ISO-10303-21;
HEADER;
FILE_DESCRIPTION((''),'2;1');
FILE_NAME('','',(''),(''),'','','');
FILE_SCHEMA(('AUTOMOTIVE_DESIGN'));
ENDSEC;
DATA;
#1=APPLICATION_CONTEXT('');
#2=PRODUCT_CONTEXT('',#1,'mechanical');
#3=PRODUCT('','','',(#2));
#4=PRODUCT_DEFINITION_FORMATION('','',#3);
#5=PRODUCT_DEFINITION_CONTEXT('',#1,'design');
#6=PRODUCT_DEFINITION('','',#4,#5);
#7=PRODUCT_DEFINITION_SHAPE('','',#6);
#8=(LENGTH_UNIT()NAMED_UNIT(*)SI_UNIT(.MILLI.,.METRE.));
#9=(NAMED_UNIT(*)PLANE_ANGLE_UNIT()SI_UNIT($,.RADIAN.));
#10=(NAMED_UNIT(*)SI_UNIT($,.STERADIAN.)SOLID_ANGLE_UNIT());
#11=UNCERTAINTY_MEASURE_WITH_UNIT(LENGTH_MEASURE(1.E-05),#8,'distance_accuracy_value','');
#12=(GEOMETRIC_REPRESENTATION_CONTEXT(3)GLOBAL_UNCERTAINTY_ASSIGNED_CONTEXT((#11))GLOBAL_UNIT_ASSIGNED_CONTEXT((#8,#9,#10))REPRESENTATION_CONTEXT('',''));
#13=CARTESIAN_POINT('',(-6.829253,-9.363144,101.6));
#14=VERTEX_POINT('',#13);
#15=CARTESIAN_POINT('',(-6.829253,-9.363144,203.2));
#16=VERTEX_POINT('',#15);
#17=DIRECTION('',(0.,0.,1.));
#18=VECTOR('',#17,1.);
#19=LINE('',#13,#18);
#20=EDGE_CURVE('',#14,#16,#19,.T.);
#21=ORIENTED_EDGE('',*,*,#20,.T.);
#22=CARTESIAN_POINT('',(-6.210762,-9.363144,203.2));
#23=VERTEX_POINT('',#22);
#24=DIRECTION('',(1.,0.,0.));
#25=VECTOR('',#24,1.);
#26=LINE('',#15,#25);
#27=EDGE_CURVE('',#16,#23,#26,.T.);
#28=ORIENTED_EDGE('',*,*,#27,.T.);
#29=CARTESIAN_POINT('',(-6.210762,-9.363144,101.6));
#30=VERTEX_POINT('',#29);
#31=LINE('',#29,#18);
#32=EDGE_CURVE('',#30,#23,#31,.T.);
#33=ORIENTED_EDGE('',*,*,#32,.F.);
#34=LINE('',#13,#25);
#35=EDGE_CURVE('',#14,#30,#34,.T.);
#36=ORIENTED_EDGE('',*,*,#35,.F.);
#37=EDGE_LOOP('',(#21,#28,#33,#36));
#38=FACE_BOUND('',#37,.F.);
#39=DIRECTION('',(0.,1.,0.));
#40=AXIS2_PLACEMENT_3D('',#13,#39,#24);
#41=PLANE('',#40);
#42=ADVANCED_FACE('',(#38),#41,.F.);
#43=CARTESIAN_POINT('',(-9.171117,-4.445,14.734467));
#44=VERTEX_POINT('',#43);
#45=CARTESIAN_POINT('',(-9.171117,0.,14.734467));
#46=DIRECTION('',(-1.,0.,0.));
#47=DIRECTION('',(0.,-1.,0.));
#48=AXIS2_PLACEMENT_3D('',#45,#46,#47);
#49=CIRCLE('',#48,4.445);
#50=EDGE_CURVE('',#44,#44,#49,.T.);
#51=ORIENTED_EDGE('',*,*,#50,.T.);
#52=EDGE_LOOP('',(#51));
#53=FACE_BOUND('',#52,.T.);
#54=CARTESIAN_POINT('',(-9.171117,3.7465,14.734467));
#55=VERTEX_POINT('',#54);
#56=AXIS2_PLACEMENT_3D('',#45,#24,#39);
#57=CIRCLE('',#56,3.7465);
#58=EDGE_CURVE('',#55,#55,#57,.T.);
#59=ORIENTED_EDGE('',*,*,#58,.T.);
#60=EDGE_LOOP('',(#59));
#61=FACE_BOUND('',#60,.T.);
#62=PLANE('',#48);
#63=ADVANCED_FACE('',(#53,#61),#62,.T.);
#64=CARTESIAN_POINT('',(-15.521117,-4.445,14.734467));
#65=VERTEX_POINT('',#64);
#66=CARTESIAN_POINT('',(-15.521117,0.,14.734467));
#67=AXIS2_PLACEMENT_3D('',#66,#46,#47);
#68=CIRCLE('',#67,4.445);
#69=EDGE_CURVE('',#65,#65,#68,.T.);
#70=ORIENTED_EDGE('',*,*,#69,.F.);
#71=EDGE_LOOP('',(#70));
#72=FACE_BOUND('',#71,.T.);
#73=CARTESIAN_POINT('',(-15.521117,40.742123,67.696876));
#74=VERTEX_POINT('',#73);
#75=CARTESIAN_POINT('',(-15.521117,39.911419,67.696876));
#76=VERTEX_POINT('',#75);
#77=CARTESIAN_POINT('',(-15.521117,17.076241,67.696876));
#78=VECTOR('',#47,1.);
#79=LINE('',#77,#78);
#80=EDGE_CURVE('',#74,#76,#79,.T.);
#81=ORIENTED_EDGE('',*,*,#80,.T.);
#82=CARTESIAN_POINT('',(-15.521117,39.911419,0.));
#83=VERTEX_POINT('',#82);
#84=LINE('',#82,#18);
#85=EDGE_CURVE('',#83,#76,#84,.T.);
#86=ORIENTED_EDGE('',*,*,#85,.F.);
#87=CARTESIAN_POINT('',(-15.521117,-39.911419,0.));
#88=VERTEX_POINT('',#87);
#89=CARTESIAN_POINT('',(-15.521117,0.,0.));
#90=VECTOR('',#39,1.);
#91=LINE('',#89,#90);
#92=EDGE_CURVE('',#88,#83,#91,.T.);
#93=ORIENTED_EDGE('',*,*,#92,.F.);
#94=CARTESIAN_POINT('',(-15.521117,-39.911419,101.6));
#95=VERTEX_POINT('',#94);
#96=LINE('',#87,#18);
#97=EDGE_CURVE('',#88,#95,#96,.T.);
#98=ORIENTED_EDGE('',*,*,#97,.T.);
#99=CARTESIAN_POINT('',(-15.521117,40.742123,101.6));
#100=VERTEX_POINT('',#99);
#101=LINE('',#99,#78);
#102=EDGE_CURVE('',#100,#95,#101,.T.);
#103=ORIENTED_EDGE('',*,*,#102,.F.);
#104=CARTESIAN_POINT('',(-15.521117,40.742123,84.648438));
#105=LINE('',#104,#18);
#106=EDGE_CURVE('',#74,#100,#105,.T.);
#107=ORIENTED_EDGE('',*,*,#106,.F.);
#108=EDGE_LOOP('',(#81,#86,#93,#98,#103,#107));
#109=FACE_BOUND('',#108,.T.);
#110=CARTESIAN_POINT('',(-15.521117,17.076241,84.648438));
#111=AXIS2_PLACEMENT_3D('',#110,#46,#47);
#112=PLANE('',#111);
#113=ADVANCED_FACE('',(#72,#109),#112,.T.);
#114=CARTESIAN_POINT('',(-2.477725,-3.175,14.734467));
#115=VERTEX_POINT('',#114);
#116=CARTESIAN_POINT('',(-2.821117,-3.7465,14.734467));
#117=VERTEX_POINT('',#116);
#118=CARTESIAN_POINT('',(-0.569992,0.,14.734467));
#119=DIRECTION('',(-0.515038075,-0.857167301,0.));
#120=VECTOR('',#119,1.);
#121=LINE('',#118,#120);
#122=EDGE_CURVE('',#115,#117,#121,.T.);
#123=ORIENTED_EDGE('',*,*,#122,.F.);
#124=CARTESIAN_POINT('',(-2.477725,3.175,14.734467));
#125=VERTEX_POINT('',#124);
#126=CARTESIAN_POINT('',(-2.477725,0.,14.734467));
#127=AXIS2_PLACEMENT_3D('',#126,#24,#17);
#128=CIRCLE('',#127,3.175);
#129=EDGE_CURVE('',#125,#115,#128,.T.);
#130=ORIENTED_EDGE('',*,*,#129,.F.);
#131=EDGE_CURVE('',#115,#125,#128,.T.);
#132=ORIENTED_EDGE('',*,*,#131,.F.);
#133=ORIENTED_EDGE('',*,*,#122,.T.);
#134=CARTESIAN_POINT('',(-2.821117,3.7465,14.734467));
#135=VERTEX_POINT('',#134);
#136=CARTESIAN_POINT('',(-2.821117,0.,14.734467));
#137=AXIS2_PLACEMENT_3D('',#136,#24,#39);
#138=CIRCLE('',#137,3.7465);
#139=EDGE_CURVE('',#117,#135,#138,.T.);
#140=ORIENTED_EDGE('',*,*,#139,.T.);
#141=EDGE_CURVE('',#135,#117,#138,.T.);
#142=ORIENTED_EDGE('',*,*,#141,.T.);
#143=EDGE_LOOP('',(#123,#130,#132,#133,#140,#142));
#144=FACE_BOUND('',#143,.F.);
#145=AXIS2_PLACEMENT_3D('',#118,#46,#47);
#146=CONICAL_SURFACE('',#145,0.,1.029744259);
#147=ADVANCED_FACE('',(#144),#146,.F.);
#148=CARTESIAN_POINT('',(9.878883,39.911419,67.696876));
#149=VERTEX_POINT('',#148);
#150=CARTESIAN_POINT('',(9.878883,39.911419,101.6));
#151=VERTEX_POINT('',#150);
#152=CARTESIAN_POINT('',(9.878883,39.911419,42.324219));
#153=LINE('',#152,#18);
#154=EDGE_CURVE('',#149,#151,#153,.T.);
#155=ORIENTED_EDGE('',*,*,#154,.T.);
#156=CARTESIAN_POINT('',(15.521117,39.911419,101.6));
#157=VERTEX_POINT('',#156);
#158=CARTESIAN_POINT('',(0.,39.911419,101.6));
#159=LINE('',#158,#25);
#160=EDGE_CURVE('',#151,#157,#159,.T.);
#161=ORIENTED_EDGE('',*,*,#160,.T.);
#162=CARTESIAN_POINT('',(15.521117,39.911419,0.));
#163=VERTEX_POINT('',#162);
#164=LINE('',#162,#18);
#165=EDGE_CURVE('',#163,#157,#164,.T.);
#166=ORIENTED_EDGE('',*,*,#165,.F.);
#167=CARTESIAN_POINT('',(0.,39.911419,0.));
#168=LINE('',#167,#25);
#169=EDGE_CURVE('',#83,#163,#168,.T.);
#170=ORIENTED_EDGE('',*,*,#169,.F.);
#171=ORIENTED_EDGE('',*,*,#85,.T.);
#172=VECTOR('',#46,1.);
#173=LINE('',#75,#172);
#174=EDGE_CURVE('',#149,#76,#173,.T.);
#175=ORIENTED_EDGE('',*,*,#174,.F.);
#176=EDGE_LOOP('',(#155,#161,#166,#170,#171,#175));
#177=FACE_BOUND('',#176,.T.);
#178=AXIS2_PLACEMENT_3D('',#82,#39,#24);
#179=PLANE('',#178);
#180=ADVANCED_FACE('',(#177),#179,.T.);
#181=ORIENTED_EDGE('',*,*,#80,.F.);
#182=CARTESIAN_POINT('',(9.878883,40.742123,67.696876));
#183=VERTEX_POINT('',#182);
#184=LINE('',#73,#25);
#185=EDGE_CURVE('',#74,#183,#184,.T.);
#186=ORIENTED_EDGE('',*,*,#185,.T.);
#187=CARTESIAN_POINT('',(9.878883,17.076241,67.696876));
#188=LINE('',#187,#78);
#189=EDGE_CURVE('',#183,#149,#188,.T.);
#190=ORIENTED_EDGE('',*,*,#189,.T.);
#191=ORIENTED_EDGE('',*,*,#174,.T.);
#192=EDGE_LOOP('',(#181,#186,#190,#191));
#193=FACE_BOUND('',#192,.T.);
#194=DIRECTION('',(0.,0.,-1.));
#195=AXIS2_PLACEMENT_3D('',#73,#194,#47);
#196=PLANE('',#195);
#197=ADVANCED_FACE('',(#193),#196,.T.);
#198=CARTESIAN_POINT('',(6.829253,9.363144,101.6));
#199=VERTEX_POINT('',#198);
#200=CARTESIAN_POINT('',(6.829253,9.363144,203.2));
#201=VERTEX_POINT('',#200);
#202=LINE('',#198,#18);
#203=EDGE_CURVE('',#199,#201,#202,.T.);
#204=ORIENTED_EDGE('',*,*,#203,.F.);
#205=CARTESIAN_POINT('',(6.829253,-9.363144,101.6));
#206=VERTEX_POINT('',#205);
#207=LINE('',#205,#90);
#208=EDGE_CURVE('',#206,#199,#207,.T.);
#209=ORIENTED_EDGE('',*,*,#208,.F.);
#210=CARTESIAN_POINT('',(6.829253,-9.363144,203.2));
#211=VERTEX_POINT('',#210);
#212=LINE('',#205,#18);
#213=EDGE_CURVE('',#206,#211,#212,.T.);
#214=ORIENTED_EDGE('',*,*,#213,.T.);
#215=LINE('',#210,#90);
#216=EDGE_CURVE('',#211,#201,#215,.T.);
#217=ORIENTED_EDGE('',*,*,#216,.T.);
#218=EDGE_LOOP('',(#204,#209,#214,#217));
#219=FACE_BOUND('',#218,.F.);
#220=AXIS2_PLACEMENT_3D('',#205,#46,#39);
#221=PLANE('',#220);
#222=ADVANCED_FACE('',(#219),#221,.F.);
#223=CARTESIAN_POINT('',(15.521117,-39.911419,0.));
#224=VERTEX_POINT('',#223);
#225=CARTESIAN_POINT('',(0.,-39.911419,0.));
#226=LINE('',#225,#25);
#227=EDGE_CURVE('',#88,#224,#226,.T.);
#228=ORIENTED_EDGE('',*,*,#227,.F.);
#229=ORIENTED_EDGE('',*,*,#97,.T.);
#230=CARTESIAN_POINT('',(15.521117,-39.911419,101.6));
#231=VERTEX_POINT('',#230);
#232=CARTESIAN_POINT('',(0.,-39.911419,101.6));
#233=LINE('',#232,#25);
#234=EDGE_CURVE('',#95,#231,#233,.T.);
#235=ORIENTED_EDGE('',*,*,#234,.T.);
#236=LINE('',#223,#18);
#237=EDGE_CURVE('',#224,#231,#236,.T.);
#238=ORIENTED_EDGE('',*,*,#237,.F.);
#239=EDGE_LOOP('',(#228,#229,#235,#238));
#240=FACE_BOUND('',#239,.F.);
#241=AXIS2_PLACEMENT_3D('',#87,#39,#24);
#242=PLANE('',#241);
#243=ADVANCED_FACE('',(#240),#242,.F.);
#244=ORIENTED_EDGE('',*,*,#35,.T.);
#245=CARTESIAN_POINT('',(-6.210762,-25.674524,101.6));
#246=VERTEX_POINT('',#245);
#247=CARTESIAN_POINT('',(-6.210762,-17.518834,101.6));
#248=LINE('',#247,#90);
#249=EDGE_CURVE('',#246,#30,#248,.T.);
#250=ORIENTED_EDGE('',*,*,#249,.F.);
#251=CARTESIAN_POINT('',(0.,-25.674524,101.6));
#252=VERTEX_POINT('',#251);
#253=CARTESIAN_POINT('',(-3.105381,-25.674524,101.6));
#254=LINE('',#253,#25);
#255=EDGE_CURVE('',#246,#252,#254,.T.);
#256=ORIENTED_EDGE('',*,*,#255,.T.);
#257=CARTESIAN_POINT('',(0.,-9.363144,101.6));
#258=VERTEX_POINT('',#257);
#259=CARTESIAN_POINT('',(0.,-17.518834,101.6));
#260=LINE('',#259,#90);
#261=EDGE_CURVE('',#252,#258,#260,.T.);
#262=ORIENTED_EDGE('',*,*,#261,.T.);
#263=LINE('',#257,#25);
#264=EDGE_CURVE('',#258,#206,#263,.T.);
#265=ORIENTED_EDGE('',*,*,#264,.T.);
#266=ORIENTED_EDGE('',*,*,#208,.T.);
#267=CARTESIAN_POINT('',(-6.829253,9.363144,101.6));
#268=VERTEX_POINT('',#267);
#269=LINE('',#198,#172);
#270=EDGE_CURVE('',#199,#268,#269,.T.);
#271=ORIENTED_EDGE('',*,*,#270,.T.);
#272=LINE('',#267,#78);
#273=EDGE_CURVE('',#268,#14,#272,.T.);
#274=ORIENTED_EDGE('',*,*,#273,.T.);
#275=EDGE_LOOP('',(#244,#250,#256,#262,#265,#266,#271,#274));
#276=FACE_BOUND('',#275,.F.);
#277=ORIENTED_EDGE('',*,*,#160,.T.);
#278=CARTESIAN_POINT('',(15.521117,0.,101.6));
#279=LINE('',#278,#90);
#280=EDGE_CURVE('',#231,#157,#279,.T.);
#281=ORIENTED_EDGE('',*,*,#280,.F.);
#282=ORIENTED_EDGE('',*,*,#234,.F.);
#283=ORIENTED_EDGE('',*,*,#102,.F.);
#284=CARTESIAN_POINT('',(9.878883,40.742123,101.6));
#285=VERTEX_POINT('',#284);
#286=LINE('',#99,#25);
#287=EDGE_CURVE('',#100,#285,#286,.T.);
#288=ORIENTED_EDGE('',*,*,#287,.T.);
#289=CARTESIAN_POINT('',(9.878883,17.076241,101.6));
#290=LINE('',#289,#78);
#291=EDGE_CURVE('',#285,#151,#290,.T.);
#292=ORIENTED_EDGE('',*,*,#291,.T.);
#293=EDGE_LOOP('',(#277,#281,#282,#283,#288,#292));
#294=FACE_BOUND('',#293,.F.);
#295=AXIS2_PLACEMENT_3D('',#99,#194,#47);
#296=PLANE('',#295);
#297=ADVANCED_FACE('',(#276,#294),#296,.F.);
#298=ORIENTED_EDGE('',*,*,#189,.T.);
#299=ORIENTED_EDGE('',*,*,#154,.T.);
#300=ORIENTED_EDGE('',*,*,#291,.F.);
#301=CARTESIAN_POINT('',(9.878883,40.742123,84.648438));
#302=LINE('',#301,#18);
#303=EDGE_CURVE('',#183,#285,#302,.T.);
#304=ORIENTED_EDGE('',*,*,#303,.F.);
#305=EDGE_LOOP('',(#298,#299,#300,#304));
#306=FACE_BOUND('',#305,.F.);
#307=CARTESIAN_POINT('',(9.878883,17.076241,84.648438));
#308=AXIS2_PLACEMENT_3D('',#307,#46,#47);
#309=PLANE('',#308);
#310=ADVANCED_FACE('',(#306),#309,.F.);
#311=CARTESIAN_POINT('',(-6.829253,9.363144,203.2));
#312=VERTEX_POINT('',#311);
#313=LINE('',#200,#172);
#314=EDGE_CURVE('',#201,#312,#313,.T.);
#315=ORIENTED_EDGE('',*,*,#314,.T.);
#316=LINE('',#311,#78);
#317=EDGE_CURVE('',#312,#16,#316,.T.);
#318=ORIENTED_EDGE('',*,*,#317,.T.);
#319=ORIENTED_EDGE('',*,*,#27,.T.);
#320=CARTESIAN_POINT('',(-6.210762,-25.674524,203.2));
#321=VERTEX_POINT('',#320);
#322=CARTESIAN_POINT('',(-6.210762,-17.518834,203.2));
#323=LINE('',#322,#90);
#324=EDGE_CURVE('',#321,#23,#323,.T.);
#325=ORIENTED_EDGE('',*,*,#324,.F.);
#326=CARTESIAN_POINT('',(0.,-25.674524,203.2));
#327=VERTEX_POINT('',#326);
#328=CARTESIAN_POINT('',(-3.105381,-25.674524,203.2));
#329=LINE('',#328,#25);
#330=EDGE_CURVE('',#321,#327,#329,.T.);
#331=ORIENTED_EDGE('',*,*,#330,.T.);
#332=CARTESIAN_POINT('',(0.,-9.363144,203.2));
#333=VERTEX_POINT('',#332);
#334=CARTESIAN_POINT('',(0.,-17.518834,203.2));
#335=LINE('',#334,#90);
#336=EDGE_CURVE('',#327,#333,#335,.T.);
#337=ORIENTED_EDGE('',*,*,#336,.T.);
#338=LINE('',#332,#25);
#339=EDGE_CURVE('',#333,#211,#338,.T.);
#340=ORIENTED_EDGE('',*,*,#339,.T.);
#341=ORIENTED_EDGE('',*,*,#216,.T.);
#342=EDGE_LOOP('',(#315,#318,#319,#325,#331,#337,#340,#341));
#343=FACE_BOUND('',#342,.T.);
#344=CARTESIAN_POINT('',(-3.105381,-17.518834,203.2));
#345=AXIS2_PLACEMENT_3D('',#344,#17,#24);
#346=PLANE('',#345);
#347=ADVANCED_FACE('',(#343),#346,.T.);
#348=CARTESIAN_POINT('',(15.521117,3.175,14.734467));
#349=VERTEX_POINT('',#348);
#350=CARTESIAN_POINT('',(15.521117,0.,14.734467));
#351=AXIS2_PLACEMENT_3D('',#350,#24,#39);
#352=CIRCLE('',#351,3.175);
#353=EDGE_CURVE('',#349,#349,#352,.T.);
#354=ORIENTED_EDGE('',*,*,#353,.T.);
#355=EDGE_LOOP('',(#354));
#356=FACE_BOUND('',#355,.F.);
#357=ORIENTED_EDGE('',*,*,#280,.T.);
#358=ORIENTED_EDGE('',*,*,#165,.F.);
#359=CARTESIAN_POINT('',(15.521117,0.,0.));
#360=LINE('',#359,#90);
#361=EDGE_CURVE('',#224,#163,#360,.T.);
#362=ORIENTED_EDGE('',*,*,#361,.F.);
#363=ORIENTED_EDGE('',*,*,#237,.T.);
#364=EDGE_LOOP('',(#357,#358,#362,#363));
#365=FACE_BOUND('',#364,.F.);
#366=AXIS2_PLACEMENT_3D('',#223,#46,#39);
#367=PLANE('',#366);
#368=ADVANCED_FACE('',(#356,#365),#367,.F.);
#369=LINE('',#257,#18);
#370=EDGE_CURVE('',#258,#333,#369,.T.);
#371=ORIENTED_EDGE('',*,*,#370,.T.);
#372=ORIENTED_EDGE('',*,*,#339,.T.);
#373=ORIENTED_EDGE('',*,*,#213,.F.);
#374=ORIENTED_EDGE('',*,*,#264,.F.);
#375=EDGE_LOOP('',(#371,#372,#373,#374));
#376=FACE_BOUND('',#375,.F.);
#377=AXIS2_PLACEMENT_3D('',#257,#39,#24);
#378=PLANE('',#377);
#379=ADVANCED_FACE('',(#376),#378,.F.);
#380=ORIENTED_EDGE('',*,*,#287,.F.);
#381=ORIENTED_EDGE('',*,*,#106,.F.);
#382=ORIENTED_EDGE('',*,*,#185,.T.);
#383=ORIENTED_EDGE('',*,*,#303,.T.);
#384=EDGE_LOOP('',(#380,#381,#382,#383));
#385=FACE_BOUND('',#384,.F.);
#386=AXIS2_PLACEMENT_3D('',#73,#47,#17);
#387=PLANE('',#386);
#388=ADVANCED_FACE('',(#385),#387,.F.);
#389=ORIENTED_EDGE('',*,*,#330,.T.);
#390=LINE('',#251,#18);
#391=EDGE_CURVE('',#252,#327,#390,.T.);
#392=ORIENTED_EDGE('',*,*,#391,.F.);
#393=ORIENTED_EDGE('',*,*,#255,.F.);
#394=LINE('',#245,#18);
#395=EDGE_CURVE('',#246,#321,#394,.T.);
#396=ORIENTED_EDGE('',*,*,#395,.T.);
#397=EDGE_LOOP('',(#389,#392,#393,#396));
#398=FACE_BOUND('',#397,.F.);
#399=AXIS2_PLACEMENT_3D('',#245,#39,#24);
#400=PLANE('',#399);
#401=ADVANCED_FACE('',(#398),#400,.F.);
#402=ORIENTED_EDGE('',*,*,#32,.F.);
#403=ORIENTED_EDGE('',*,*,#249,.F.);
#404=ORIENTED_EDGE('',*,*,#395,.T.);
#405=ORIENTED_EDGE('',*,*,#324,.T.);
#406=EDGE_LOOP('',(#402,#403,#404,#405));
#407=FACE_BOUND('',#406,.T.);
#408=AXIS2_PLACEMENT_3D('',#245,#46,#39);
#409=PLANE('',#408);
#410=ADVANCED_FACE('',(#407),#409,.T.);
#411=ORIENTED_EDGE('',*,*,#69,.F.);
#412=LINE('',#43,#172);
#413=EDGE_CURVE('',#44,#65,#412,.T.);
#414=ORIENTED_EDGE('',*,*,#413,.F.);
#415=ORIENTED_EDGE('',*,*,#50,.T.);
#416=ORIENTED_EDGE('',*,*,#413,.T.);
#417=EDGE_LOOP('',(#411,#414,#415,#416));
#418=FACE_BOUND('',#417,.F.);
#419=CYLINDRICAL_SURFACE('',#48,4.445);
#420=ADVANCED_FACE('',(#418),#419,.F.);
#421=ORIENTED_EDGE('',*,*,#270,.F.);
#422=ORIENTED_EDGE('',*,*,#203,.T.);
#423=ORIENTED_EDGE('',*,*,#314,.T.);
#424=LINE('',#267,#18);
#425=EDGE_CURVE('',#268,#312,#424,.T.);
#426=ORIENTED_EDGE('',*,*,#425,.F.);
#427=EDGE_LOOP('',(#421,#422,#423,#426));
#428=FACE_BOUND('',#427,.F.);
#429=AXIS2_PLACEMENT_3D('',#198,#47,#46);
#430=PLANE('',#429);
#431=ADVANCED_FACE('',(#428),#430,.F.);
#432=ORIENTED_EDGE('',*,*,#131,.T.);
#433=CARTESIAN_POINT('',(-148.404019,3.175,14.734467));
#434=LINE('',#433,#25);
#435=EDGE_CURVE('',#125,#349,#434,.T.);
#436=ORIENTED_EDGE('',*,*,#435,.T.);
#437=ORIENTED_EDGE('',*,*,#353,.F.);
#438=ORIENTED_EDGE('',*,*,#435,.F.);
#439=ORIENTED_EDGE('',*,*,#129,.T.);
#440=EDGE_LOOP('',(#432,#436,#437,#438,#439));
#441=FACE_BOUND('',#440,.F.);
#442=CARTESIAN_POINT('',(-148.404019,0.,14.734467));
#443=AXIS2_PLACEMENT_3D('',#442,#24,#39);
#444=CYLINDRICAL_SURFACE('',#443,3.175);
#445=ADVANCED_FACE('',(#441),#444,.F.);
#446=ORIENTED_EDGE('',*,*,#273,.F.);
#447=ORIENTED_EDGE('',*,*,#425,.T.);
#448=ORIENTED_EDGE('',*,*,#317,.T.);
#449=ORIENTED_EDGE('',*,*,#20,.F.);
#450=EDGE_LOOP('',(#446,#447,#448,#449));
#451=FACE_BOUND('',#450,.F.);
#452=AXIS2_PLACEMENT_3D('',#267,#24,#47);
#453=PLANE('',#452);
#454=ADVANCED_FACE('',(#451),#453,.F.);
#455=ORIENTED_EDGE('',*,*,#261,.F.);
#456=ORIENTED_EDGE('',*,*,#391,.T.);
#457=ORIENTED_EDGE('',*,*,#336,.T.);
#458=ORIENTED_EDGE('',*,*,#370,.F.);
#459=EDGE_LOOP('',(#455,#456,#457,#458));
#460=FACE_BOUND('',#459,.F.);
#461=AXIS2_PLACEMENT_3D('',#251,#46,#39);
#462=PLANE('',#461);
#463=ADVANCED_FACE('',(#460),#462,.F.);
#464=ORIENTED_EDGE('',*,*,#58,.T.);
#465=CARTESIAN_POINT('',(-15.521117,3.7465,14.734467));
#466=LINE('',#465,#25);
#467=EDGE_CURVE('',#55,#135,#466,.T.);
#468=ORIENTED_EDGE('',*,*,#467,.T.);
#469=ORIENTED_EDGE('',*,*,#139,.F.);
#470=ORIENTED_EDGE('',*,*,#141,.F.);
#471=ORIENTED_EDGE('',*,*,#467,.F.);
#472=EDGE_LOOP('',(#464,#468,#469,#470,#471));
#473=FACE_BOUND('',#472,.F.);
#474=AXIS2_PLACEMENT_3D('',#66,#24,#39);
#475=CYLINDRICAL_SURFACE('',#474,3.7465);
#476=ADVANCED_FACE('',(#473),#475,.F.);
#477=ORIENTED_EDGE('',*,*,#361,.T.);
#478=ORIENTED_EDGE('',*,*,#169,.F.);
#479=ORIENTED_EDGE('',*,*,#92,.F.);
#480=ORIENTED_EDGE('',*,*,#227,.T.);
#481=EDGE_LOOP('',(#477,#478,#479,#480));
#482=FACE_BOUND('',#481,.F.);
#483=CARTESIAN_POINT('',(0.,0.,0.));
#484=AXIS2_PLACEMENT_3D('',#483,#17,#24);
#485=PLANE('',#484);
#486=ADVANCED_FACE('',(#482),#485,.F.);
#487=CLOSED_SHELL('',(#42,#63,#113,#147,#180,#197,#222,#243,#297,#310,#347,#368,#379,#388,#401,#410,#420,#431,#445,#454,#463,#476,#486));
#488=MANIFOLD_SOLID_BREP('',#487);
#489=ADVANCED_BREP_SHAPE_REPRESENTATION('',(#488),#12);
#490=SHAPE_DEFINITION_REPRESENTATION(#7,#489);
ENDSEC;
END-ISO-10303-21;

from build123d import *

# Parameters (mm, degrees)
F0_W           = 31.0422331095
F0_H           = 79.8228383064
F1_DEPTH       = 101.6
F3_D           = 6.35
F5_D           = 7.493
F5_DEPTH       = 12.7
F5_CBORE_D     = 8.89
F5_CBORE_DEPTH = 6.35
F5_TIP         = 2.2511243092
F6_W           = 47.3317652941
F6_H           = 33.903124404
F7_DEPTH       = 25.4
F8_W           = 6.2107620761
F8_H           = 16.3113800809
F8_H_2         = 9.3631437048
F9_DEPTH       = 101.6


with BuildPart() as f1:
    # F0 (on Top) → F1 (new body)
    with BuildSketch(Plane.XY):
        Rectangle(F0_W, F0_H)
    extrude(amount=F1_DEPTH)

    # F3 (through all)
    with Locations(Plane(origin=(-15.5211165547, 0, 0), x_dir=(0, -1, 0), z_dir=(-1, 0, 0))):
        with Locations((0, 14.7344674915)):
            Hole(F3_D / 2)

    # F5
    with Locations(Plane(origin=(-15.5211165547, 0, 0), x_dir=(0, -1, 0), z_dir=(-1, 0, 0))):
        with Locations((0, 14.7344674915)):
            CounterBoreHole(F5_D / 2, F5_CBORE_D / 2, F5_CBORE_DEPTH, depth=F5_DEPTH)
            with Locations((0, 0, -(F5_DEPTH + F5_TIP / 2))):  # 118° drill point
                Cone(0, F5_D / 2, F5_TIP, mode=Mode.SUBTRACT)

    # F6 (on face) → F7 (join)
    with BuildSketch(Plane(origin=(-15.5211165547, 0, 0), x_dir=(0, -1, 0), z_dir=(-1, 0, 0))):
        with Locations((-17.0762408525, 84.648437798)):
            Rectangle(F6_W, F6_H)
    extrude(amount=-F7_DEPTH)

    # F8 (on face) → F9 (join)
    with BuildSketch(Plane.XY.offset(101.6)):
        with Locations((-3.105381038, -17.5188337453)):
            Rectangle(F8_W, F8_H)
        Polygon((-6.8292533979, 9.3631437048), (-6.8292533979, -9.3631437048), (-6.2107620761, -9.3631437048), (-6.2107620761, 0), (0, 0), (0, -9.3631437048), (6.8292533979, -9.3631437048), (6.8292533979, 9.3631437048), align=None)
        with Locations((-3.105381038, -4.6815718524)):
            Rectangle(F8_W, F8_H_2)
    extrude(amount=F9_DEPTH)


solid = f1.part
